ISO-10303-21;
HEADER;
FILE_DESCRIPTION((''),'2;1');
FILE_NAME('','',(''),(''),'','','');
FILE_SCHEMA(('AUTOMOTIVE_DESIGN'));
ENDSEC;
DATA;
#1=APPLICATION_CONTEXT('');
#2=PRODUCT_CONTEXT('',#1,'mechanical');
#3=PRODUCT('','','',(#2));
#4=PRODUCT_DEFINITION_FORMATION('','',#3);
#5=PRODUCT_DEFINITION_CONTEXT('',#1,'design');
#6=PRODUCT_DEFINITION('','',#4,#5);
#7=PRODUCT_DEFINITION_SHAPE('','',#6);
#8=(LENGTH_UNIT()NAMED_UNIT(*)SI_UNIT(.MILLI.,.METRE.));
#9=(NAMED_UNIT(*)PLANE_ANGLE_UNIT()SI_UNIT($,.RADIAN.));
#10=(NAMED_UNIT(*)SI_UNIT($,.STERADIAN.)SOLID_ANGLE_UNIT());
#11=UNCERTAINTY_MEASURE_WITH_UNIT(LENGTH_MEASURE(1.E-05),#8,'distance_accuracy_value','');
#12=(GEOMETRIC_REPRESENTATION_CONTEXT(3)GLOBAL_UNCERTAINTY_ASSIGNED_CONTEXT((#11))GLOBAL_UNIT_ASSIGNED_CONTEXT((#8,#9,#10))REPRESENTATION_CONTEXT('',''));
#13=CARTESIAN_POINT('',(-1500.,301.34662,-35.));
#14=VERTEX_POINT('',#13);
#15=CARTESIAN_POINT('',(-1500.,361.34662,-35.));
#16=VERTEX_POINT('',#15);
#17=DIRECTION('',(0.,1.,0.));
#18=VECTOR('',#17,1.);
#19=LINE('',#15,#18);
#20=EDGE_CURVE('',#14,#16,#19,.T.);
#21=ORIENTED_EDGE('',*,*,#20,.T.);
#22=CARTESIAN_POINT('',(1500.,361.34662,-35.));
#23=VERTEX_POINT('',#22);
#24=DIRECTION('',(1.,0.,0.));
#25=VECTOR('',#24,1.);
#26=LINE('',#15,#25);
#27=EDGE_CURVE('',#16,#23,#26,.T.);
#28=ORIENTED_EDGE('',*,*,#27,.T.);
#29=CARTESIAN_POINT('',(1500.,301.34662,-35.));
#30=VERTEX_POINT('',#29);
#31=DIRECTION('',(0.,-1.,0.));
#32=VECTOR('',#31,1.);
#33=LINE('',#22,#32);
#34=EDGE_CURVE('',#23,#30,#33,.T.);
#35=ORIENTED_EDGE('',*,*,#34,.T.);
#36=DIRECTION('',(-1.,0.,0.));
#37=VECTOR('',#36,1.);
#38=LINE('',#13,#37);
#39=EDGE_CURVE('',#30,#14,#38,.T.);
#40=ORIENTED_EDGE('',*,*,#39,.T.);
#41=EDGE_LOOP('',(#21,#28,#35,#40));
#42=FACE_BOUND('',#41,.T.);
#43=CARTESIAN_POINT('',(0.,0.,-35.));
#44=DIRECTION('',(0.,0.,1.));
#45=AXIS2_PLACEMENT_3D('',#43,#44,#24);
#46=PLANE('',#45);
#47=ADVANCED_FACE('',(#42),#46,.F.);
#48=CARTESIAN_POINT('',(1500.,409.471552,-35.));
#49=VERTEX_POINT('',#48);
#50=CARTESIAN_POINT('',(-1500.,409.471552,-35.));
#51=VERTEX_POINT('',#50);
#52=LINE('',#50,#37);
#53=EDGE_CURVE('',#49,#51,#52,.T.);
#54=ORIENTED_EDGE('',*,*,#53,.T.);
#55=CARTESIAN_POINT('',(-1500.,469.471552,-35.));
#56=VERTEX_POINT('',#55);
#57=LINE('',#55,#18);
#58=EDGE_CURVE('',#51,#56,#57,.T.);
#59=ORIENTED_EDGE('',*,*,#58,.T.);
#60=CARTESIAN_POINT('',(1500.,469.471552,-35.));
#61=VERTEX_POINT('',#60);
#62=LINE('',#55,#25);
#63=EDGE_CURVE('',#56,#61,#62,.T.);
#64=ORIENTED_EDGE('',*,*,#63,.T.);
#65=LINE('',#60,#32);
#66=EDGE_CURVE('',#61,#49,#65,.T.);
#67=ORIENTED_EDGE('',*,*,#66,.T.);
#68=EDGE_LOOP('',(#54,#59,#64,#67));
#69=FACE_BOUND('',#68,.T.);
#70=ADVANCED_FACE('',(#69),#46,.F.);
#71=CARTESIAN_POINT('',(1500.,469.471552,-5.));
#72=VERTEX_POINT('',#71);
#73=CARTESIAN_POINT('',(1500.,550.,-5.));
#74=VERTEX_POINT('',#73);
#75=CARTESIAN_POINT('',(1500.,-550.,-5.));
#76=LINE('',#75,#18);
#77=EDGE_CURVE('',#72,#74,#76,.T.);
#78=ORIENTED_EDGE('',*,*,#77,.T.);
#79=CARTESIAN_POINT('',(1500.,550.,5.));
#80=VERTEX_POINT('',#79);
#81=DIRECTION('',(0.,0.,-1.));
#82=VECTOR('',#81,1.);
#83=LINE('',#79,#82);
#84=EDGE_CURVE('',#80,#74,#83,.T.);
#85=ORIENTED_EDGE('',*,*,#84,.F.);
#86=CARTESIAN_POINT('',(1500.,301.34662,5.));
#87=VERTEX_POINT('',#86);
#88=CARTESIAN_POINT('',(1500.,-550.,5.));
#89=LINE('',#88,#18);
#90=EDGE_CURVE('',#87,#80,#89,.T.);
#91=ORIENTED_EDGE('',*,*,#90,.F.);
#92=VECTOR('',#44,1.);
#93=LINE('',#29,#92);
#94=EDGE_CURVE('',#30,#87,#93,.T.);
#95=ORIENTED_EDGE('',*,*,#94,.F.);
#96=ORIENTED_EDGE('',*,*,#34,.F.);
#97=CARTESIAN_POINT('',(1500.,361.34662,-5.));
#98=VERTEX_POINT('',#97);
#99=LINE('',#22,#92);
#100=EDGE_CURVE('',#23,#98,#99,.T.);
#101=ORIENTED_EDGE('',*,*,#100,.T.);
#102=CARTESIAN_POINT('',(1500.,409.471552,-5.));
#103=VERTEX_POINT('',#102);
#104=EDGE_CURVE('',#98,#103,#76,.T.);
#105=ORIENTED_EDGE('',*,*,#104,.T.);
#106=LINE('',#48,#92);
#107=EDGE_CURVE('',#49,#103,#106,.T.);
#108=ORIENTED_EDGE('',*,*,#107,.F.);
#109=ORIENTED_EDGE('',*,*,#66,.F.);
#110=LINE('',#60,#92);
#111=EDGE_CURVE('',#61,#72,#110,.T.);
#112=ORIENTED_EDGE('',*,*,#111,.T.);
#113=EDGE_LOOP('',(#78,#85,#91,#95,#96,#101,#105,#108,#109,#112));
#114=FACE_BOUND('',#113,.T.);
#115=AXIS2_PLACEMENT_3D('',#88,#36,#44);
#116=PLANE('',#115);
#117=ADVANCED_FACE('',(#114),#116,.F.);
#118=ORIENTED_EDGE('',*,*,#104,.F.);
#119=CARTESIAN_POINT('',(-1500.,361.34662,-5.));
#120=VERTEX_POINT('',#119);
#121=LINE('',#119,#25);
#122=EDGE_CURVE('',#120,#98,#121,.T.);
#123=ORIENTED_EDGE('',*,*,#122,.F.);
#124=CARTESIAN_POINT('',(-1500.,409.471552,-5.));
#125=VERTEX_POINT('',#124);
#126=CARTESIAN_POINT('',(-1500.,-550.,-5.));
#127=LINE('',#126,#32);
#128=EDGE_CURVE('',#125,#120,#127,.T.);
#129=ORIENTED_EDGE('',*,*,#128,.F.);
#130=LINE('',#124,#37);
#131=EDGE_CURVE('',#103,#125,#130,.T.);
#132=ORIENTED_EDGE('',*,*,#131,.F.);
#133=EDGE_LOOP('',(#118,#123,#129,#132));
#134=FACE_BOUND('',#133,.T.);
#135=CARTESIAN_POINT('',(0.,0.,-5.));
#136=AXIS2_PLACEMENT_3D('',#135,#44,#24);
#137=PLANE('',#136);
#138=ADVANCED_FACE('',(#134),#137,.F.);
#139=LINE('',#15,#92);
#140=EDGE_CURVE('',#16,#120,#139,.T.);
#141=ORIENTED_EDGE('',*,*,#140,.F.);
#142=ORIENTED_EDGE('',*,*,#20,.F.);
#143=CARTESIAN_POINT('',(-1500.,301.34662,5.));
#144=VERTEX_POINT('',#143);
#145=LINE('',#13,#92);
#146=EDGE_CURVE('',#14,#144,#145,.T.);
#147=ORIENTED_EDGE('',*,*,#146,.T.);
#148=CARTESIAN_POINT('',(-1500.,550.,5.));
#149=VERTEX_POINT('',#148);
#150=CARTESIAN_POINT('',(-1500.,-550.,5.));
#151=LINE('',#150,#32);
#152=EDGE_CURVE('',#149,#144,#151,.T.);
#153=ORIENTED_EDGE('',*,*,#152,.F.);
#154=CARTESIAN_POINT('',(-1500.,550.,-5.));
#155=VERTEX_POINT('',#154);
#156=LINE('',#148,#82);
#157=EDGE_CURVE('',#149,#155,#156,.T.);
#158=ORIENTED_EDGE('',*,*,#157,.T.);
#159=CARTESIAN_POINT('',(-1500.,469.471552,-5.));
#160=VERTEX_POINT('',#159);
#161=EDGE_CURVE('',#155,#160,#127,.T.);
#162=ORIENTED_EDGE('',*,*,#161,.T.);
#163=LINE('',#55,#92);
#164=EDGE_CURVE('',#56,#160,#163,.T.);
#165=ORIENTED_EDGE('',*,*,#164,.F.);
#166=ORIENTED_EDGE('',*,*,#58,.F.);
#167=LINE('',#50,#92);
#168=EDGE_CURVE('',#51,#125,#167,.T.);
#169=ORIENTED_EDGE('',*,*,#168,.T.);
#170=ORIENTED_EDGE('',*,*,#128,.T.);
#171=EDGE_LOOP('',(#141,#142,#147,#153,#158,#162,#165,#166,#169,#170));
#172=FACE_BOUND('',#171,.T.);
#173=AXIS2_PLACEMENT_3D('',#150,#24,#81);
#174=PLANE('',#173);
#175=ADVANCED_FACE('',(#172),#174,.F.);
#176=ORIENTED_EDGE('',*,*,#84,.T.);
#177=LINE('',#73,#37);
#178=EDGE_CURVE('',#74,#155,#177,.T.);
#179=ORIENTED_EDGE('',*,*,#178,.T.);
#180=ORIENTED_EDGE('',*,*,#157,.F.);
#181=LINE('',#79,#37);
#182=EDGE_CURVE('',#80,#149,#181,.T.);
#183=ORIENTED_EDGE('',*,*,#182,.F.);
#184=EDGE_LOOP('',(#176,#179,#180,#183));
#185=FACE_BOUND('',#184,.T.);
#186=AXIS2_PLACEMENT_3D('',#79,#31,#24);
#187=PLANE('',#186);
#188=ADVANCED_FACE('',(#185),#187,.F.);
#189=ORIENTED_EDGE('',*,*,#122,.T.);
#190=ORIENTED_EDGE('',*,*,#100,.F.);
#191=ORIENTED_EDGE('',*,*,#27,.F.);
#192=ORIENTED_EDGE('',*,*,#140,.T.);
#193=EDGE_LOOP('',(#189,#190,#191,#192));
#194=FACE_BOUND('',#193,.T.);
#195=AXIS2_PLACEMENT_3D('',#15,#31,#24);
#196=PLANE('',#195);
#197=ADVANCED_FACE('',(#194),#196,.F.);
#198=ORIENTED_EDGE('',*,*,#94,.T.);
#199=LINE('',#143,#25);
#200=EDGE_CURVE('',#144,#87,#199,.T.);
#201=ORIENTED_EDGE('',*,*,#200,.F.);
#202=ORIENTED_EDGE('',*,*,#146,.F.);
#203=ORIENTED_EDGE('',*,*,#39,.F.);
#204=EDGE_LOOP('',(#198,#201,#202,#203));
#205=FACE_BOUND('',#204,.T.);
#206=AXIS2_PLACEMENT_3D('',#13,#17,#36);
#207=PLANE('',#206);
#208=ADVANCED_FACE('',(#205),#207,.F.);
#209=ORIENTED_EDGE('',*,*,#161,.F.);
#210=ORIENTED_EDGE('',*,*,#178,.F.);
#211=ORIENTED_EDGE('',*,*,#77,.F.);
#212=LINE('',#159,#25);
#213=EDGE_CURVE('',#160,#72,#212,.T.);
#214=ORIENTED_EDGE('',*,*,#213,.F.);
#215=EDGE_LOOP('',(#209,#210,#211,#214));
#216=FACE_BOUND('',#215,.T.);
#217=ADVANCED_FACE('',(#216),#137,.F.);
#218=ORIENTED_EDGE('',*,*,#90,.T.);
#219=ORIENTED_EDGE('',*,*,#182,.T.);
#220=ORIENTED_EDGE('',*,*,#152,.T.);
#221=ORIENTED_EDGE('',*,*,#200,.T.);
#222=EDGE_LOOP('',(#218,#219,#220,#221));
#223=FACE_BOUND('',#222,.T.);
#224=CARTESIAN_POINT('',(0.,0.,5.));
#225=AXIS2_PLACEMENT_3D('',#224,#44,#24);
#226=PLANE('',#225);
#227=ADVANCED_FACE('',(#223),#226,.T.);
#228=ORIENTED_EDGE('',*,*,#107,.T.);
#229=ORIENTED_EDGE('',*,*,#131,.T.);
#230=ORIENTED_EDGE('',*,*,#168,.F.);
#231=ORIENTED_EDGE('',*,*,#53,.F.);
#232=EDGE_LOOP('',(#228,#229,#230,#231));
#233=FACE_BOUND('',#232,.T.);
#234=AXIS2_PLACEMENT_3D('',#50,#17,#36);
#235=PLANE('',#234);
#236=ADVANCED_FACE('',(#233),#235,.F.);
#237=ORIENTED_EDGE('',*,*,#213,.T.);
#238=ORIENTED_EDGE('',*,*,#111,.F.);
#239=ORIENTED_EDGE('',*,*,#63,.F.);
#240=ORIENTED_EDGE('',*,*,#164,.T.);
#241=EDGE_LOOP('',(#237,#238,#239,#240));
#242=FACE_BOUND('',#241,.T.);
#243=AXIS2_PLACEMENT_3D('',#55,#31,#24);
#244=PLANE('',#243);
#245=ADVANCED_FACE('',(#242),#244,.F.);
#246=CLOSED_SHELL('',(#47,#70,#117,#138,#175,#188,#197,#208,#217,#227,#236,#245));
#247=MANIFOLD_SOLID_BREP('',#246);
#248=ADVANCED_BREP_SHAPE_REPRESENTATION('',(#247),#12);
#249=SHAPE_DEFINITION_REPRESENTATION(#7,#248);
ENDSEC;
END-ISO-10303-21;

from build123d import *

# Parameters (mm, degrees)
SKETCH1_W           = 3000
SKETCH1_H           = 1100
BOSS_EXTRUDE1_DEPTH = 5
SKETCH3_W           = 3000
SKETCH3_H           = 60
BOSS_EXTRUDE3_DEPTH = 30
SKETCH4_W           = 3000
SKETCH4_H           = 851.346620116
CUT_EXTRUDE1_DEPTH  = 1598.936168938


with BuildPart() as part:
    # Sketch1 → Boss-Extrude1 (new, symmetric)
    with BuildSketch(Plane.XY):
        Rectangle(SKETCH1_W, SKETCH1_H)
    extrude(amount=BOSS_EXTRUDE1_DEPTH, both=True)

    # Sketch3 → Boss-Extrude3 (add)
    with BuildSketch(Plane(origin=(0, 0, -5), x_dir=(-1, 0, 0), z_dir=(0, 0, -1))):
        with Locations((0, 439.471551707)):
            Rectangle(SKETCH3_W, SKETCH3_H)
        with Locations((0, 331.346620116)):
            Rectangle(SKETCH3_W, SKETCH3_H)
    extrude(amount=BOSS_EXTRUDE3_DEPTH)

    # Sketch4 → Cut-Extrude1 (cut, through all)
    with BuildSketch(Plane(origin=(0, 0, -5), x_dir=(-1, 0, 0), z_dir=(0, 0, -1))):
        with Locations((0, -124.326689942)):
            Rectangle(SKETCH4_W, SKETCH4_H)
    extrude(amount=-CUT_EXTRUDE1_DEPTH, mode=Mode.SUBTRACT)


solid = part.part
